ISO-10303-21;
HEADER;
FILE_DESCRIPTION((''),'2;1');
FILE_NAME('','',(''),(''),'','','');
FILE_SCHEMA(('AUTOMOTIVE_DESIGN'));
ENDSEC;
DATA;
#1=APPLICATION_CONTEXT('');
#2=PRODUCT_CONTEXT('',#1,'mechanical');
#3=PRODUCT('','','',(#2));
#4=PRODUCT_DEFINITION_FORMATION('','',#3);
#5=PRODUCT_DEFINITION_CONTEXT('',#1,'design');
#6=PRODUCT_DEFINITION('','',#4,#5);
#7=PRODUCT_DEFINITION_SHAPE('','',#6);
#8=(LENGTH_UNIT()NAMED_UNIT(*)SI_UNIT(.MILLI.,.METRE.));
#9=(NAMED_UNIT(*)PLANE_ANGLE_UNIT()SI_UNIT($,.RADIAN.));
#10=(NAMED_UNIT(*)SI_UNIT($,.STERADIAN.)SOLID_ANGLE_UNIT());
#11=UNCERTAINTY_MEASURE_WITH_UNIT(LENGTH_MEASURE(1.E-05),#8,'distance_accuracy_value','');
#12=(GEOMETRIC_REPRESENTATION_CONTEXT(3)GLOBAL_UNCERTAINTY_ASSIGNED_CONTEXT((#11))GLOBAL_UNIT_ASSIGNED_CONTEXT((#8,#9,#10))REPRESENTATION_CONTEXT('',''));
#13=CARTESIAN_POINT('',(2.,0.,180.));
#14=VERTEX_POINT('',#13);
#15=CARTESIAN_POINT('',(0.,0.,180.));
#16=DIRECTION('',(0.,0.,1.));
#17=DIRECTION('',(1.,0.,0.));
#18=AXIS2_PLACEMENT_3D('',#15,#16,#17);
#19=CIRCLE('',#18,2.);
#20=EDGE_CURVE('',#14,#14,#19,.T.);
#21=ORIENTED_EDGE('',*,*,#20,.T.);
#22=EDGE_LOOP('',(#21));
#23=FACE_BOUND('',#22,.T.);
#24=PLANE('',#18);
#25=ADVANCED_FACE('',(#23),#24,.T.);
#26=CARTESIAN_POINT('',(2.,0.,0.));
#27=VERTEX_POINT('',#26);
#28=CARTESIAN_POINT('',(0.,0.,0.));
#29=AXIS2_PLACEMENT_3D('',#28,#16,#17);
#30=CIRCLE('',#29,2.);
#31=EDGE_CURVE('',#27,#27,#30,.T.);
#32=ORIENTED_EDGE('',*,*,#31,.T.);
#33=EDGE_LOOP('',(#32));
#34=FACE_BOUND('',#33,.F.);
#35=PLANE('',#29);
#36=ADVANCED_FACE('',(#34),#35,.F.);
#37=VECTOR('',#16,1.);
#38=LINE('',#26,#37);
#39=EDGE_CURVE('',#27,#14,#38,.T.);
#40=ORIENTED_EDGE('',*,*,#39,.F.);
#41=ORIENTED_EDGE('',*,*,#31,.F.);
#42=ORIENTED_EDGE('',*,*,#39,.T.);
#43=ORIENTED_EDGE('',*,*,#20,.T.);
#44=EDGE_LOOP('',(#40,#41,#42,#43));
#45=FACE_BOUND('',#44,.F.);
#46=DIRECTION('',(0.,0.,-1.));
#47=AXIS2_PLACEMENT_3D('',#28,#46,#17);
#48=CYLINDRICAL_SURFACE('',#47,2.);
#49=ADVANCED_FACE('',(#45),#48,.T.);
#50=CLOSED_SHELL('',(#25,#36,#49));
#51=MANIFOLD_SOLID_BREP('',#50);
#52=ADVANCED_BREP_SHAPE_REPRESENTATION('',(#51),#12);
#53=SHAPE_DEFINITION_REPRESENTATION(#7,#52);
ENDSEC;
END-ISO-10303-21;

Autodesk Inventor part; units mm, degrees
ref_plane "YZ Plane" through (0, 0, 0) normal (1, 0, 0) x (0, 1, 0)
ref_plane "XZ Plane" through (0, 0, 0) normal (0, 1, 0) x (-1, 0, 0)
ref_plane "XY Plane" through (0, 0, 0) normal (0, 0, 1) x (1, 0, 0)
sketch "Sketch1" plane through (0, 0, 0) normal (0, 0, 1) x (1, 0, 0)
  circle A0 centre (0, 0) radius 2
  dimension "d0" = 4
  dimension "d0" = 4
extrude "Extrusion1" add sketch "Sketch1" along normal blind 180
properties part number "rod_M4_180"
